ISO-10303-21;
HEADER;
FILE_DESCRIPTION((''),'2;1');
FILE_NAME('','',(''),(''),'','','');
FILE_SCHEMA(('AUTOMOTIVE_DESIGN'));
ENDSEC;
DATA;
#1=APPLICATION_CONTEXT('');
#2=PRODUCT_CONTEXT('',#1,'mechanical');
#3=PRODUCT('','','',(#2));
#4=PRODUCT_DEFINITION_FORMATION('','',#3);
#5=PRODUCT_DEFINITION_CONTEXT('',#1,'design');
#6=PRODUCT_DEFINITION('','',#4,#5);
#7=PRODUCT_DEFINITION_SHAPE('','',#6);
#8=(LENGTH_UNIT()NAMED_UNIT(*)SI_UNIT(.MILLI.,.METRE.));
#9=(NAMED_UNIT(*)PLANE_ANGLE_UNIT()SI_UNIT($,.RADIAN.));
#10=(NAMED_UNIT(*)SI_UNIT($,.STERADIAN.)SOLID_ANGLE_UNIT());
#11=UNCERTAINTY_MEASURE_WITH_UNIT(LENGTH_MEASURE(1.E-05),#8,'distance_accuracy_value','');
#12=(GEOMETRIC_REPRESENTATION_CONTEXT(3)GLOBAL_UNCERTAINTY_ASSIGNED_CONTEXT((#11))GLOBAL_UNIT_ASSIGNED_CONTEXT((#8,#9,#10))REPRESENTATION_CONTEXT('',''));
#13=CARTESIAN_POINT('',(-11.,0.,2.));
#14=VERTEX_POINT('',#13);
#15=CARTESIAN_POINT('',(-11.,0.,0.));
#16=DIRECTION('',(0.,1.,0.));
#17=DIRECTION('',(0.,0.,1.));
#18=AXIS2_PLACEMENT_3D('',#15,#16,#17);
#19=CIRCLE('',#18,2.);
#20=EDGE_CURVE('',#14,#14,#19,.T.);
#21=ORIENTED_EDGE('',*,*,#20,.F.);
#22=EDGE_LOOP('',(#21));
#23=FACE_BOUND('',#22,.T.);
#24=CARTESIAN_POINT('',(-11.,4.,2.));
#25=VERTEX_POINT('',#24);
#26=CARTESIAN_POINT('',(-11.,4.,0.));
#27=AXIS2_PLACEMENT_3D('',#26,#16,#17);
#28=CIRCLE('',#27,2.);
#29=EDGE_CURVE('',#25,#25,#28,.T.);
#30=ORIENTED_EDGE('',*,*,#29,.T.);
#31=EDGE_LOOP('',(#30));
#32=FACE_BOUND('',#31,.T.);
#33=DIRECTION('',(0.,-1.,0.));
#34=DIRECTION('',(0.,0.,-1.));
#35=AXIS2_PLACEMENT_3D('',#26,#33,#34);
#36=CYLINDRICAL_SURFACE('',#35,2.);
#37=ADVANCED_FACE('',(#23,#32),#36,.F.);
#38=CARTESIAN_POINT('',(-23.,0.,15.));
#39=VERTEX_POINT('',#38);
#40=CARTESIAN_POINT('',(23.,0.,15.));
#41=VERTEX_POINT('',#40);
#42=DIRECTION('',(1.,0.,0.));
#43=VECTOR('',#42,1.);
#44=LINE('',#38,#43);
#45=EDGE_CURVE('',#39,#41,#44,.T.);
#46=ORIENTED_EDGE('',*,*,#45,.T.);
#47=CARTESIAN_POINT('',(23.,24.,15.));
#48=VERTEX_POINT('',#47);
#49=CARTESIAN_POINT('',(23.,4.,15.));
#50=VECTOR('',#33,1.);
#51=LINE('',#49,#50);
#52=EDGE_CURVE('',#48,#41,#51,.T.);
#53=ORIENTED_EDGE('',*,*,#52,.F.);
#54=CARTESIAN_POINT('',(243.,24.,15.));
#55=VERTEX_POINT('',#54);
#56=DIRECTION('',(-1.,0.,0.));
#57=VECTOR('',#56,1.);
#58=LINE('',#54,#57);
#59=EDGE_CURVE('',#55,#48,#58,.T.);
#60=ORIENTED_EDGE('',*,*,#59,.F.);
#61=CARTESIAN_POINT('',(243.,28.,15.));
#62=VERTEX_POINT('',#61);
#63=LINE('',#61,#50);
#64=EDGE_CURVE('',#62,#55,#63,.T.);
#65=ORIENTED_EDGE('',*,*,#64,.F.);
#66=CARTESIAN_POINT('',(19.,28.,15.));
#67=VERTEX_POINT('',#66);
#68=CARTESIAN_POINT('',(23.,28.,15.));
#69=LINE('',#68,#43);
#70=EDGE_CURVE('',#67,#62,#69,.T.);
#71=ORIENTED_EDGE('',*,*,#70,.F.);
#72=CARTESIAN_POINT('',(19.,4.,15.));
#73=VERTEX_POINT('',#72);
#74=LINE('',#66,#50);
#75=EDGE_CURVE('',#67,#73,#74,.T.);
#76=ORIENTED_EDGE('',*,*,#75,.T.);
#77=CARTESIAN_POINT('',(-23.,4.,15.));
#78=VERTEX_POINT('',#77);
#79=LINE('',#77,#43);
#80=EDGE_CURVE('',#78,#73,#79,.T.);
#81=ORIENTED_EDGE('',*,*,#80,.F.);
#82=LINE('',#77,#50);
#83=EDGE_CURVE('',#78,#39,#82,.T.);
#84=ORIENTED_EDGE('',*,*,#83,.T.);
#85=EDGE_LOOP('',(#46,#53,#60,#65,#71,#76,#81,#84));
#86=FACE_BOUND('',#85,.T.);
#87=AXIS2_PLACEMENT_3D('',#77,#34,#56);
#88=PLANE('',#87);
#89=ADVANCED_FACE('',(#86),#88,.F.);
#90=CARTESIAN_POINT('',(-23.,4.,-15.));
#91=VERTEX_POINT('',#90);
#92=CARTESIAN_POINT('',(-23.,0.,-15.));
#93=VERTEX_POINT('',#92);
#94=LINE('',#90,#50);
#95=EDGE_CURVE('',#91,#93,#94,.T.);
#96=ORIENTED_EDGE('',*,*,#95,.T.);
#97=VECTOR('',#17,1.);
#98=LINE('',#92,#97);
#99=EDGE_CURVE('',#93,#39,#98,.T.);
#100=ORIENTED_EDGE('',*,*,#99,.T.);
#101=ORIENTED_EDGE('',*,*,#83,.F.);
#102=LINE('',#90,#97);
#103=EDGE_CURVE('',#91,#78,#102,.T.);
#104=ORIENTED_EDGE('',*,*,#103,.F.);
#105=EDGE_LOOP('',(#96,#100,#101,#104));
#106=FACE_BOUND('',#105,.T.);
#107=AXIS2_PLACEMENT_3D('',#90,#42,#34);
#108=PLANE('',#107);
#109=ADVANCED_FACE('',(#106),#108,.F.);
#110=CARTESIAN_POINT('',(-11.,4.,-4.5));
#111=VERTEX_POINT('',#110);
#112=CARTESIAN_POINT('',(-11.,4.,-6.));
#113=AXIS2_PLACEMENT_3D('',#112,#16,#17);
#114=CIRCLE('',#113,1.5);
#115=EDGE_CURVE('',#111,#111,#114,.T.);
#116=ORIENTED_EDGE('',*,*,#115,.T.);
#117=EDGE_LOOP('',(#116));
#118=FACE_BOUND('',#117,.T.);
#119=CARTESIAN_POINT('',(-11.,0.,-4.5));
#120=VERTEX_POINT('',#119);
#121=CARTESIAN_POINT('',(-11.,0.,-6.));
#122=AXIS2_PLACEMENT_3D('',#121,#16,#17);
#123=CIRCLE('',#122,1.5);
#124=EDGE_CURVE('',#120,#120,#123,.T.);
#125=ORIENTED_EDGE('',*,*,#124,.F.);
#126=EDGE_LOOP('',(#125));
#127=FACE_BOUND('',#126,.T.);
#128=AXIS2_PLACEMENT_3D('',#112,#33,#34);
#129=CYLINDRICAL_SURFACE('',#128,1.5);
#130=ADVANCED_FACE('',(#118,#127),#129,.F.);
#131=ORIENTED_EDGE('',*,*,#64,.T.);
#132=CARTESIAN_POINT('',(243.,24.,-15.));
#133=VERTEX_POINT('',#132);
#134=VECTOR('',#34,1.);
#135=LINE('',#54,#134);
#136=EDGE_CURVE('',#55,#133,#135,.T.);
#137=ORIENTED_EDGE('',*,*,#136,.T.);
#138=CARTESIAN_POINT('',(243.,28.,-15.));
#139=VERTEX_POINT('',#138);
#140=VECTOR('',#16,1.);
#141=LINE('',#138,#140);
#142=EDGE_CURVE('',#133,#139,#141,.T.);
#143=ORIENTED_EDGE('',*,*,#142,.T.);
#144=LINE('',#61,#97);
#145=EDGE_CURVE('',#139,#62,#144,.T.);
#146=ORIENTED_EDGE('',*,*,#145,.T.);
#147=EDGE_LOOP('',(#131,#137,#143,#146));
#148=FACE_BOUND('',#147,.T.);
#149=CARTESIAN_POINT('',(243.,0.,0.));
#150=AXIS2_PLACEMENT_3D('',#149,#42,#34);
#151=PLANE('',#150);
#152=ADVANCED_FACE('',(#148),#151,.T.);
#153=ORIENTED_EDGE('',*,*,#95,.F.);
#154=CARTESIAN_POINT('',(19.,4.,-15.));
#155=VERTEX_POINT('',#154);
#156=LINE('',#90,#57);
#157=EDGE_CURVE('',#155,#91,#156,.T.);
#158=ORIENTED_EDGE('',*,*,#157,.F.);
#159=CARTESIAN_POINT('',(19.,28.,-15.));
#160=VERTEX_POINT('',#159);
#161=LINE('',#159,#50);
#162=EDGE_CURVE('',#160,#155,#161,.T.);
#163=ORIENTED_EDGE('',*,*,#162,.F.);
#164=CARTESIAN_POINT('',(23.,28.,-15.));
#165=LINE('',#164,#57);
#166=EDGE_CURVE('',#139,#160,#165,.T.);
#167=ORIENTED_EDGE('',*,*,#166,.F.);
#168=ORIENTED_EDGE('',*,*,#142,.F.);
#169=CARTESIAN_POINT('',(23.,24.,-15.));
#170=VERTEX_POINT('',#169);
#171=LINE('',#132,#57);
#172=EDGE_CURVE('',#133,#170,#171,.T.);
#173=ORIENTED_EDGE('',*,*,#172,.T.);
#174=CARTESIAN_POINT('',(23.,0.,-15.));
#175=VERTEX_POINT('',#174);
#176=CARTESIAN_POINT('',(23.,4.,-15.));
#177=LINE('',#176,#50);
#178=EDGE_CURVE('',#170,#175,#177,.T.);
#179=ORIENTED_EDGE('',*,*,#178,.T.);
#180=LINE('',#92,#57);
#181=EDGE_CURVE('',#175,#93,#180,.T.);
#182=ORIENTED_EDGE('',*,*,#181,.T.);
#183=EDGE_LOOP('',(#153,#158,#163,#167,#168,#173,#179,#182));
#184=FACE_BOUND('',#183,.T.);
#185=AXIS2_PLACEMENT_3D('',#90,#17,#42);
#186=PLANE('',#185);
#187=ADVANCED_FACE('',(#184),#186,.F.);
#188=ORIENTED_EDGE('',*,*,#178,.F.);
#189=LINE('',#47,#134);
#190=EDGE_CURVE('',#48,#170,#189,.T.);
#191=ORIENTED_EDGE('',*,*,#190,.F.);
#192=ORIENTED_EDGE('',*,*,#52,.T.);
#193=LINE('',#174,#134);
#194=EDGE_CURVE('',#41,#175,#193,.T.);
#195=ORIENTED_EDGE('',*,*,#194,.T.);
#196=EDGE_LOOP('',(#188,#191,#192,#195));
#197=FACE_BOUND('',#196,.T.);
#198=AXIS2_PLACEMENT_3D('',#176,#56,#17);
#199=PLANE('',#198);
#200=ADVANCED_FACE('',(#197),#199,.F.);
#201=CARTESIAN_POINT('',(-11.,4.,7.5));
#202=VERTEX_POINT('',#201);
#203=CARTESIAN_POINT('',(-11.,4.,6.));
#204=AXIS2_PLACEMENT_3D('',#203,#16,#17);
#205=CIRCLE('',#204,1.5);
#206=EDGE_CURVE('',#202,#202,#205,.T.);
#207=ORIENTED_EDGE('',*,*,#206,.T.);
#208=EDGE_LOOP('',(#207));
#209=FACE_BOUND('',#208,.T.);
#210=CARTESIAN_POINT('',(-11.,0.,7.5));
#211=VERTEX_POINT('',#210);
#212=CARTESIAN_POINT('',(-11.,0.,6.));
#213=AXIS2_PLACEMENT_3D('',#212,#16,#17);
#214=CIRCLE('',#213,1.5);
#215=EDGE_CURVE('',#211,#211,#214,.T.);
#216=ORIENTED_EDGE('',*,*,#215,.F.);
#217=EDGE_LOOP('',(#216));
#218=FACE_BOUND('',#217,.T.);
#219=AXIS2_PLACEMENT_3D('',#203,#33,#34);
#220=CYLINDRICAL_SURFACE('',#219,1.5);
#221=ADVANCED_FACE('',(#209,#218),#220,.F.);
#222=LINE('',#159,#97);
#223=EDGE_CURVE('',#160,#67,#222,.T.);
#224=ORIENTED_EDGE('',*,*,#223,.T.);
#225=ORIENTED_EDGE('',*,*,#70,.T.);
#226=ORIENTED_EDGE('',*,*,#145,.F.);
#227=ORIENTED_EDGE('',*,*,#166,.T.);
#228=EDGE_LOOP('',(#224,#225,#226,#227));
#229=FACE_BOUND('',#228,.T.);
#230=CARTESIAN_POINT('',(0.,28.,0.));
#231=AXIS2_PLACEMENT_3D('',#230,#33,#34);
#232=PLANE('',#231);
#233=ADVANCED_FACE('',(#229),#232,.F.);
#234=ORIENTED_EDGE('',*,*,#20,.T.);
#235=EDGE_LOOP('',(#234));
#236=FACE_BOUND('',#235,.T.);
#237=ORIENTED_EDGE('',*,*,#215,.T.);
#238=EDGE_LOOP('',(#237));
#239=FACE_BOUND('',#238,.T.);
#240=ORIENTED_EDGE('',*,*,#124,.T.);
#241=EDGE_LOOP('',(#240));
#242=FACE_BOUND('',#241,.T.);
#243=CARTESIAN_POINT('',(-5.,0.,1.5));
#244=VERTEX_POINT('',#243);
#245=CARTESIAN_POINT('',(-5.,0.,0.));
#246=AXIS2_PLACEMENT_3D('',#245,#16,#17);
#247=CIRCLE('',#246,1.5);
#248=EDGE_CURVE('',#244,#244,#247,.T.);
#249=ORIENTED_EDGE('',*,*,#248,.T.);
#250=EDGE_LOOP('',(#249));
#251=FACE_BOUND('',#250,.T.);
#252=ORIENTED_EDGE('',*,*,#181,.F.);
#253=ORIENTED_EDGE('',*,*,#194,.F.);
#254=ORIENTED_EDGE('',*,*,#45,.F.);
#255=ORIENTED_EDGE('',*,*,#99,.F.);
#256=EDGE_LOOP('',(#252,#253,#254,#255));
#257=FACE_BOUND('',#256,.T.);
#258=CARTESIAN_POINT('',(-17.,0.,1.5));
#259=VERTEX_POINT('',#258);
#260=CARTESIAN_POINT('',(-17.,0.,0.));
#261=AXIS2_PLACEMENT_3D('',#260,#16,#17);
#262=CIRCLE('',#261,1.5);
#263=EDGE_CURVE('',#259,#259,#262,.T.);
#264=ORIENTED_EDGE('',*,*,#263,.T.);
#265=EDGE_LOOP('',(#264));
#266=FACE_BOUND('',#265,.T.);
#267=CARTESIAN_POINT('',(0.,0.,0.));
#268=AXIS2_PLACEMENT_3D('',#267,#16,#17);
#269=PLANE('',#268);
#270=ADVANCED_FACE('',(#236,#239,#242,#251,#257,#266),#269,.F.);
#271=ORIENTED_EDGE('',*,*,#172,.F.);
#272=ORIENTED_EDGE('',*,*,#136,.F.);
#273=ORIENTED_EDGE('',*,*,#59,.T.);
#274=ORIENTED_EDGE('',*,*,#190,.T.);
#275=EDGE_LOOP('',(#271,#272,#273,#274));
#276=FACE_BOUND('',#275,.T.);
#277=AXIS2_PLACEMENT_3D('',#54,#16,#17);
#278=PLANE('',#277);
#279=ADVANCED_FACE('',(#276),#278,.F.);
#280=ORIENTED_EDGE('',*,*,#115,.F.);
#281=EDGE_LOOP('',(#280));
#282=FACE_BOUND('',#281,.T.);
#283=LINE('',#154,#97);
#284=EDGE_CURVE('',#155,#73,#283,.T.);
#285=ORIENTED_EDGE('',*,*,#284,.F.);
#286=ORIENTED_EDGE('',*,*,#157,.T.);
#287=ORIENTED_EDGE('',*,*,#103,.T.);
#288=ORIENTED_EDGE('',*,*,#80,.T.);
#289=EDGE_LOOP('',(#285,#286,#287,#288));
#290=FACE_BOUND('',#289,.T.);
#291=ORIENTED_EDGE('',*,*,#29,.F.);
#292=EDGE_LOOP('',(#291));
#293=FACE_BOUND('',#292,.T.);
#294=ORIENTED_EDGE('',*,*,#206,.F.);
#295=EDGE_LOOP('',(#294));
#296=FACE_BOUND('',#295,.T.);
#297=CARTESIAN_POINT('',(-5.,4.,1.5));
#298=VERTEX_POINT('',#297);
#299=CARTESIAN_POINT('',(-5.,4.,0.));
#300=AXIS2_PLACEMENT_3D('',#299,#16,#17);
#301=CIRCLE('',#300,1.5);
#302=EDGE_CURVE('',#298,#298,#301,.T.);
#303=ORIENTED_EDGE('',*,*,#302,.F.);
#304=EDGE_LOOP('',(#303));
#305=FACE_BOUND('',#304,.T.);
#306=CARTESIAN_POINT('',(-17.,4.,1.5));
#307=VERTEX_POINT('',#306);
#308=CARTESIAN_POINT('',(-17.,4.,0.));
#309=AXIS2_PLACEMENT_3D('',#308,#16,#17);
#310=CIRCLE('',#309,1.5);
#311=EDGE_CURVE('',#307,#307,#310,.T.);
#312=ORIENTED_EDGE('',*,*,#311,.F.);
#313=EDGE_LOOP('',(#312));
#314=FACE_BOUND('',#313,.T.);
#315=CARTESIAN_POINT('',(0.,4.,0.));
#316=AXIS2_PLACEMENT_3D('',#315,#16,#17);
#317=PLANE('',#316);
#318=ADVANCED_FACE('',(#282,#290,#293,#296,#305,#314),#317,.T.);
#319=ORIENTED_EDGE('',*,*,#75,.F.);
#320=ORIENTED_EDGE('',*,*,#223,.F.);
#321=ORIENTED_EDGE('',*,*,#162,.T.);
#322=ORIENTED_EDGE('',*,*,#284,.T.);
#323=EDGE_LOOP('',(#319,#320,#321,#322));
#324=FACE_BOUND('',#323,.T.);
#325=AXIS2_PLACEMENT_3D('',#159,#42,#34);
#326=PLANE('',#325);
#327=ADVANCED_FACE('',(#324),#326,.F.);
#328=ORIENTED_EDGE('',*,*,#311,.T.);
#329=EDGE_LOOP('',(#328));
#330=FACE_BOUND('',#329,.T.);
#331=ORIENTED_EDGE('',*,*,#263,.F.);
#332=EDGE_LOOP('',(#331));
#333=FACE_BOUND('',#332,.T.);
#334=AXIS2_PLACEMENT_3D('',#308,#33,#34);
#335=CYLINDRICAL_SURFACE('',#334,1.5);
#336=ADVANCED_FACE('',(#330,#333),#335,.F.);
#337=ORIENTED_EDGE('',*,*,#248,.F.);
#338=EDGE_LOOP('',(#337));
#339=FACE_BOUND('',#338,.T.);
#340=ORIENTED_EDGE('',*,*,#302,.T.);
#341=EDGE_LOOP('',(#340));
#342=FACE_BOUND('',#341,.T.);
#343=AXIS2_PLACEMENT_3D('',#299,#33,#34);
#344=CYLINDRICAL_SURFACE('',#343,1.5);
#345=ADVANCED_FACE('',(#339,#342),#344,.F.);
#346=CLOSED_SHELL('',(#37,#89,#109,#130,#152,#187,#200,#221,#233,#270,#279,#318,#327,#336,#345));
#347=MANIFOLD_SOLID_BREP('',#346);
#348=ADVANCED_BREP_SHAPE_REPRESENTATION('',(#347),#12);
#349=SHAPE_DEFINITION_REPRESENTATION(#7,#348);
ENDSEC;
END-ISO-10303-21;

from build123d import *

# Parameters (mm, degrees)
SKETCH1_W           = 46
SKETCH1_H           = 30
SKETCH1_R           = 1.5
SKETCH1_R_2         = 2
BOSS_EXTRUDE1_DEPTH = 4
SKETCH2_W           = 4
SKETCH2_H           = 30
BOSS_EXTRUDE2_DEPTH = 24
SKETCH3_W           = 30
SKETCH3_H           = 4
BOSS_EXTRUDE3_DEPTH = 220


with BuildPart() as part:
    # Sketch1 → Boss-Extrude1 (new body)
    with BuildSketch(Plane(origin=(0, 0, 0), x_dir=(1, 0, 0), z_dir=(0, 1, 0))):
        Rectangle(SKETCH1_W, SKETCH1_H)
        with Locations(Location((-17, 0, 0), (0, 0, 270))):
            Circle(SKETCH1_R, mode=Mode.SUBTRACT)
        with Locations(Location((-11, 6, 0), (0, 0, 270))):
            Circle(SKETCH1_R, mode=Mode.SUBTRACT)
        with Locations(Location((-5, 0, 0), (0, 0, 270))):
            Circle(SKETCH1_R, mode=Mode.SUBTRACT)
        with Locations(Location((-11, -6, 0), (0, 0, 270))):
            Circle(SKETCH1_R, mode=Mode.SUBTRACT)
        with Locations(Location((-11, 0, 0), (0, 0, 270))):
            Circle(SKETCH1_R_2, mode=Mode.SUBTRACT)
    extrude(amount=BOSS_EXTRUDE1_DEPTH)

    # Sketch2 → Boss-Extrude2 (add)
    with BuildSketch(Plane(origin=(0, 4, 0), x_dir=(1, 0, 0), z_dir=(0, 1, 0))):
        with Locations((21, 0)):
            Rectangle(SKETCH2_W, SKETCH2_H)
    extrude(amount=BOSS_EXTRUDE2_DEPTH)

    # Sketch3 → Boss-Extrude3 (add)
    with BuildSketch(Plane(origin=(23, 0, 0), x_dir=(0, 0, -1), z_dir=(1, 0, 0))):
        with Locations((0, 26)):
            Rectangle(SKETCH3_W, SKETCH3_H)
    extrude(amount=BOSS_EXTRUDE3_DEPTH)


solid = part.part
